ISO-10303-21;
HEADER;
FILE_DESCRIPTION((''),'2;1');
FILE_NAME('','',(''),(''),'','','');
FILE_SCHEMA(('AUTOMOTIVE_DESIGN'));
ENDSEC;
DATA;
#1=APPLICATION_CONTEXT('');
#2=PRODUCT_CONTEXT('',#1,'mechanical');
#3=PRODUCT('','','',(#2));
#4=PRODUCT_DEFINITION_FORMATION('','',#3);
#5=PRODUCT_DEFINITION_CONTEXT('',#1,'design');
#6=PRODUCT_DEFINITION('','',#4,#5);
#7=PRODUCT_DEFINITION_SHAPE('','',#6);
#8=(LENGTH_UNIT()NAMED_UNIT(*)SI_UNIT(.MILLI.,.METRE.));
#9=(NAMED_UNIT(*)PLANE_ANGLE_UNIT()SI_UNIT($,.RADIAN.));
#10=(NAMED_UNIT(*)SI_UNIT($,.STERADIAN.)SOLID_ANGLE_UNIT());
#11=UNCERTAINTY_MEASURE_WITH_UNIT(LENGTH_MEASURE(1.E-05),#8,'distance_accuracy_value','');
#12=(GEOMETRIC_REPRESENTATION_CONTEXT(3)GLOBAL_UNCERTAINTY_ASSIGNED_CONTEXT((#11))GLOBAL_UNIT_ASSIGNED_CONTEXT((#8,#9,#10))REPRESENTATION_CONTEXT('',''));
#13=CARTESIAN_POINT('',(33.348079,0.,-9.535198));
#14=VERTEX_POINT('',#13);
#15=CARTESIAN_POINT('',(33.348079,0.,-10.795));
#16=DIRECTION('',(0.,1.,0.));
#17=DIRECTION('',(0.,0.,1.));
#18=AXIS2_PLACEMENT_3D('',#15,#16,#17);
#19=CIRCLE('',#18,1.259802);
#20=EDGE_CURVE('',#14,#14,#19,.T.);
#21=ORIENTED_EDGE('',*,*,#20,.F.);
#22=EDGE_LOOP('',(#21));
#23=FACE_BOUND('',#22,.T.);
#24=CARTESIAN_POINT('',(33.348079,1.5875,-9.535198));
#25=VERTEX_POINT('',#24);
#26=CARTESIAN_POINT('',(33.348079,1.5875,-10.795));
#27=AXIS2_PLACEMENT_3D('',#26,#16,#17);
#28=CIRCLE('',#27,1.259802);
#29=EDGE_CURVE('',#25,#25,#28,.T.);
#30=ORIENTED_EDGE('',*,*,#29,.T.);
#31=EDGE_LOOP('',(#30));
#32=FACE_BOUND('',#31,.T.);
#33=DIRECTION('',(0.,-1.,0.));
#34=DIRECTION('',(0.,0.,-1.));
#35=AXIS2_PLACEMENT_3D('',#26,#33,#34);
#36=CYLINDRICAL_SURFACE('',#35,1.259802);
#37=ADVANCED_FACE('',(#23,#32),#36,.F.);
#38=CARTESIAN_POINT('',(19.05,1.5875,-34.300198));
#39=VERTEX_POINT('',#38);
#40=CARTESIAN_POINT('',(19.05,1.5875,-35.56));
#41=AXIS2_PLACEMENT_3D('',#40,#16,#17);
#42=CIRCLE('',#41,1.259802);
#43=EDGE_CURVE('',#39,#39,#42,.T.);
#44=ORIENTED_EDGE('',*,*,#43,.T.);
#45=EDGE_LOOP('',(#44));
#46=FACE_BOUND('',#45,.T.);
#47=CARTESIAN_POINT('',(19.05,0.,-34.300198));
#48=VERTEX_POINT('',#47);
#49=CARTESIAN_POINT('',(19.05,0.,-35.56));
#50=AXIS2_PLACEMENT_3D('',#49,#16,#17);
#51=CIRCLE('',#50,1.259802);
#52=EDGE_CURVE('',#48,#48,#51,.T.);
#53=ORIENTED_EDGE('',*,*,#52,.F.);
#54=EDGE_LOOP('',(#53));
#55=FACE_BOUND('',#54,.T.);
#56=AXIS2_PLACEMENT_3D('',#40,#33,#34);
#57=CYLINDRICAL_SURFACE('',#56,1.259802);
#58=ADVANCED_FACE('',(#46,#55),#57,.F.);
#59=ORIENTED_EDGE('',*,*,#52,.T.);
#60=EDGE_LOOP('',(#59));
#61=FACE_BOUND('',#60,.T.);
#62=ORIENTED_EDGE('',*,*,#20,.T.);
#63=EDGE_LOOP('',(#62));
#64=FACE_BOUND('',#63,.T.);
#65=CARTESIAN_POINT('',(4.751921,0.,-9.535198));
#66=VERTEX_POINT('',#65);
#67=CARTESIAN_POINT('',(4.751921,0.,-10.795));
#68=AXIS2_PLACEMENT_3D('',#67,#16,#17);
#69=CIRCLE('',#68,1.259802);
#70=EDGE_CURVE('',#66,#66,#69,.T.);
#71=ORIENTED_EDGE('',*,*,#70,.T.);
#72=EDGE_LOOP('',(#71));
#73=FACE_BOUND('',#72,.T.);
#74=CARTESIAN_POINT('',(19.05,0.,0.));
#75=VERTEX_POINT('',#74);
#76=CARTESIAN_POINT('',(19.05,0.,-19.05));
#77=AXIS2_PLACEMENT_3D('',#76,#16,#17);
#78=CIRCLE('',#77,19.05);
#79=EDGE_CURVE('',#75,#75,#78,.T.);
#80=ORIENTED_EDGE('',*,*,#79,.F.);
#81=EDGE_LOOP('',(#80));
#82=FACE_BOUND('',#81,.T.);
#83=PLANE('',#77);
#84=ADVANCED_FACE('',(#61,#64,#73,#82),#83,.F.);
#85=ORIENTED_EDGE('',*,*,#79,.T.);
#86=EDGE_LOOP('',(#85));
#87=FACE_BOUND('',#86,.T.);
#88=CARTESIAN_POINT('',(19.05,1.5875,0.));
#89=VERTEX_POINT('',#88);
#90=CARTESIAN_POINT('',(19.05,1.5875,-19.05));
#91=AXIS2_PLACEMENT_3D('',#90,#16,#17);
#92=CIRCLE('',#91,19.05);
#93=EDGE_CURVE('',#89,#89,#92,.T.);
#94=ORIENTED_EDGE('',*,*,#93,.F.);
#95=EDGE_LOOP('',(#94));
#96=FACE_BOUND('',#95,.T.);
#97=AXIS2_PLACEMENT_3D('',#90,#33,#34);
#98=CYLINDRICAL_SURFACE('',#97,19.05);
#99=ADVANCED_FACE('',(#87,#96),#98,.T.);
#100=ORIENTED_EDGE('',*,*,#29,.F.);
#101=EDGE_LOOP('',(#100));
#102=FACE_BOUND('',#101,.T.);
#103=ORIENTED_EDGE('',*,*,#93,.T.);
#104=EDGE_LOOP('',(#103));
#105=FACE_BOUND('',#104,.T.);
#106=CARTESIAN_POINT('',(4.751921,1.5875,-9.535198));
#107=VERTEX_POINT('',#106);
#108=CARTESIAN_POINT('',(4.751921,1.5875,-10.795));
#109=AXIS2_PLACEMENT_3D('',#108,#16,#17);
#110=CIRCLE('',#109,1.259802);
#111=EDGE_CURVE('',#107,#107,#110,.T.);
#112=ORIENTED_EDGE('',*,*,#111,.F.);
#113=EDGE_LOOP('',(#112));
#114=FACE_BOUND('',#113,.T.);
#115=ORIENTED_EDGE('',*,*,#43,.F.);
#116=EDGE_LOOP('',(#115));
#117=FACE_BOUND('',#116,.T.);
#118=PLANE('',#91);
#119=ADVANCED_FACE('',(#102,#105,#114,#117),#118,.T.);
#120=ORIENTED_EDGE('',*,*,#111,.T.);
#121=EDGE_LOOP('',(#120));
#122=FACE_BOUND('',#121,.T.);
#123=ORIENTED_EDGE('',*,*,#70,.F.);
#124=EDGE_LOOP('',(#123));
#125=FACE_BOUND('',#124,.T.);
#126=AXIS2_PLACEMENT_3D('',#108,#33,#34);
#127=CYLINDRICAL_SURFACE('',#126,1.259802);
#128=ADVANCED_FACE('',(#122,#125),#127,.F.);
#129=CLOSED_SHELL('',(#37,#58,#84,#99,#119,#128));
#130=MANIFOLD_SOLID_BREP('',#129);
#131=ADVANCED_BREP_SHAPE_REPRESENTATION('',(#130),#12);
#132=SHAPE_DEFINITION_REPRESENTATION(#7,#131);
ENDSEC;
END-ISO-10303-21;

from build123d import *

# Parameters (mm, degrees)
SKETCH1_R           = 19.05
SKETCH1_R_2         = 1.259801651
BOSS_EXTRUDE1_DEPTH = 1.5875


with BuildPart() as part:
    # Sketch1 → Boss-Extrude1 (new body)
    with BuildSketch(Plane(origin=(0, 0, 0), x_dir=(1, 0, 0), z_dir=(0, 1, 0))):
        with Locations(Location((19.05, 19.05, 0), (0, 0, 270))):
            Circle(SKETCH1_R)
        with Locations(Location((19.05, 35.56, 0), (0, 0, 270))):
            Circle(SKETCH1_R_2, mode=Mode.SUBTRACT)
        with Locations(Location((4.751920584, 10.795, 0), (0, 0, 270))):
            Circle(SKETCH1_R_2, mode=Mode.SUBTRACT)
        with Locations(Location((33.348079416, 10.795, 0), (0, 0, 270))):
            Circle(SKETCH1_R_2, mode=Mode.SUBTRACT)
    extrude(amount=BOSS_EXTRUDE1_DEPTH)


solid = part.part
